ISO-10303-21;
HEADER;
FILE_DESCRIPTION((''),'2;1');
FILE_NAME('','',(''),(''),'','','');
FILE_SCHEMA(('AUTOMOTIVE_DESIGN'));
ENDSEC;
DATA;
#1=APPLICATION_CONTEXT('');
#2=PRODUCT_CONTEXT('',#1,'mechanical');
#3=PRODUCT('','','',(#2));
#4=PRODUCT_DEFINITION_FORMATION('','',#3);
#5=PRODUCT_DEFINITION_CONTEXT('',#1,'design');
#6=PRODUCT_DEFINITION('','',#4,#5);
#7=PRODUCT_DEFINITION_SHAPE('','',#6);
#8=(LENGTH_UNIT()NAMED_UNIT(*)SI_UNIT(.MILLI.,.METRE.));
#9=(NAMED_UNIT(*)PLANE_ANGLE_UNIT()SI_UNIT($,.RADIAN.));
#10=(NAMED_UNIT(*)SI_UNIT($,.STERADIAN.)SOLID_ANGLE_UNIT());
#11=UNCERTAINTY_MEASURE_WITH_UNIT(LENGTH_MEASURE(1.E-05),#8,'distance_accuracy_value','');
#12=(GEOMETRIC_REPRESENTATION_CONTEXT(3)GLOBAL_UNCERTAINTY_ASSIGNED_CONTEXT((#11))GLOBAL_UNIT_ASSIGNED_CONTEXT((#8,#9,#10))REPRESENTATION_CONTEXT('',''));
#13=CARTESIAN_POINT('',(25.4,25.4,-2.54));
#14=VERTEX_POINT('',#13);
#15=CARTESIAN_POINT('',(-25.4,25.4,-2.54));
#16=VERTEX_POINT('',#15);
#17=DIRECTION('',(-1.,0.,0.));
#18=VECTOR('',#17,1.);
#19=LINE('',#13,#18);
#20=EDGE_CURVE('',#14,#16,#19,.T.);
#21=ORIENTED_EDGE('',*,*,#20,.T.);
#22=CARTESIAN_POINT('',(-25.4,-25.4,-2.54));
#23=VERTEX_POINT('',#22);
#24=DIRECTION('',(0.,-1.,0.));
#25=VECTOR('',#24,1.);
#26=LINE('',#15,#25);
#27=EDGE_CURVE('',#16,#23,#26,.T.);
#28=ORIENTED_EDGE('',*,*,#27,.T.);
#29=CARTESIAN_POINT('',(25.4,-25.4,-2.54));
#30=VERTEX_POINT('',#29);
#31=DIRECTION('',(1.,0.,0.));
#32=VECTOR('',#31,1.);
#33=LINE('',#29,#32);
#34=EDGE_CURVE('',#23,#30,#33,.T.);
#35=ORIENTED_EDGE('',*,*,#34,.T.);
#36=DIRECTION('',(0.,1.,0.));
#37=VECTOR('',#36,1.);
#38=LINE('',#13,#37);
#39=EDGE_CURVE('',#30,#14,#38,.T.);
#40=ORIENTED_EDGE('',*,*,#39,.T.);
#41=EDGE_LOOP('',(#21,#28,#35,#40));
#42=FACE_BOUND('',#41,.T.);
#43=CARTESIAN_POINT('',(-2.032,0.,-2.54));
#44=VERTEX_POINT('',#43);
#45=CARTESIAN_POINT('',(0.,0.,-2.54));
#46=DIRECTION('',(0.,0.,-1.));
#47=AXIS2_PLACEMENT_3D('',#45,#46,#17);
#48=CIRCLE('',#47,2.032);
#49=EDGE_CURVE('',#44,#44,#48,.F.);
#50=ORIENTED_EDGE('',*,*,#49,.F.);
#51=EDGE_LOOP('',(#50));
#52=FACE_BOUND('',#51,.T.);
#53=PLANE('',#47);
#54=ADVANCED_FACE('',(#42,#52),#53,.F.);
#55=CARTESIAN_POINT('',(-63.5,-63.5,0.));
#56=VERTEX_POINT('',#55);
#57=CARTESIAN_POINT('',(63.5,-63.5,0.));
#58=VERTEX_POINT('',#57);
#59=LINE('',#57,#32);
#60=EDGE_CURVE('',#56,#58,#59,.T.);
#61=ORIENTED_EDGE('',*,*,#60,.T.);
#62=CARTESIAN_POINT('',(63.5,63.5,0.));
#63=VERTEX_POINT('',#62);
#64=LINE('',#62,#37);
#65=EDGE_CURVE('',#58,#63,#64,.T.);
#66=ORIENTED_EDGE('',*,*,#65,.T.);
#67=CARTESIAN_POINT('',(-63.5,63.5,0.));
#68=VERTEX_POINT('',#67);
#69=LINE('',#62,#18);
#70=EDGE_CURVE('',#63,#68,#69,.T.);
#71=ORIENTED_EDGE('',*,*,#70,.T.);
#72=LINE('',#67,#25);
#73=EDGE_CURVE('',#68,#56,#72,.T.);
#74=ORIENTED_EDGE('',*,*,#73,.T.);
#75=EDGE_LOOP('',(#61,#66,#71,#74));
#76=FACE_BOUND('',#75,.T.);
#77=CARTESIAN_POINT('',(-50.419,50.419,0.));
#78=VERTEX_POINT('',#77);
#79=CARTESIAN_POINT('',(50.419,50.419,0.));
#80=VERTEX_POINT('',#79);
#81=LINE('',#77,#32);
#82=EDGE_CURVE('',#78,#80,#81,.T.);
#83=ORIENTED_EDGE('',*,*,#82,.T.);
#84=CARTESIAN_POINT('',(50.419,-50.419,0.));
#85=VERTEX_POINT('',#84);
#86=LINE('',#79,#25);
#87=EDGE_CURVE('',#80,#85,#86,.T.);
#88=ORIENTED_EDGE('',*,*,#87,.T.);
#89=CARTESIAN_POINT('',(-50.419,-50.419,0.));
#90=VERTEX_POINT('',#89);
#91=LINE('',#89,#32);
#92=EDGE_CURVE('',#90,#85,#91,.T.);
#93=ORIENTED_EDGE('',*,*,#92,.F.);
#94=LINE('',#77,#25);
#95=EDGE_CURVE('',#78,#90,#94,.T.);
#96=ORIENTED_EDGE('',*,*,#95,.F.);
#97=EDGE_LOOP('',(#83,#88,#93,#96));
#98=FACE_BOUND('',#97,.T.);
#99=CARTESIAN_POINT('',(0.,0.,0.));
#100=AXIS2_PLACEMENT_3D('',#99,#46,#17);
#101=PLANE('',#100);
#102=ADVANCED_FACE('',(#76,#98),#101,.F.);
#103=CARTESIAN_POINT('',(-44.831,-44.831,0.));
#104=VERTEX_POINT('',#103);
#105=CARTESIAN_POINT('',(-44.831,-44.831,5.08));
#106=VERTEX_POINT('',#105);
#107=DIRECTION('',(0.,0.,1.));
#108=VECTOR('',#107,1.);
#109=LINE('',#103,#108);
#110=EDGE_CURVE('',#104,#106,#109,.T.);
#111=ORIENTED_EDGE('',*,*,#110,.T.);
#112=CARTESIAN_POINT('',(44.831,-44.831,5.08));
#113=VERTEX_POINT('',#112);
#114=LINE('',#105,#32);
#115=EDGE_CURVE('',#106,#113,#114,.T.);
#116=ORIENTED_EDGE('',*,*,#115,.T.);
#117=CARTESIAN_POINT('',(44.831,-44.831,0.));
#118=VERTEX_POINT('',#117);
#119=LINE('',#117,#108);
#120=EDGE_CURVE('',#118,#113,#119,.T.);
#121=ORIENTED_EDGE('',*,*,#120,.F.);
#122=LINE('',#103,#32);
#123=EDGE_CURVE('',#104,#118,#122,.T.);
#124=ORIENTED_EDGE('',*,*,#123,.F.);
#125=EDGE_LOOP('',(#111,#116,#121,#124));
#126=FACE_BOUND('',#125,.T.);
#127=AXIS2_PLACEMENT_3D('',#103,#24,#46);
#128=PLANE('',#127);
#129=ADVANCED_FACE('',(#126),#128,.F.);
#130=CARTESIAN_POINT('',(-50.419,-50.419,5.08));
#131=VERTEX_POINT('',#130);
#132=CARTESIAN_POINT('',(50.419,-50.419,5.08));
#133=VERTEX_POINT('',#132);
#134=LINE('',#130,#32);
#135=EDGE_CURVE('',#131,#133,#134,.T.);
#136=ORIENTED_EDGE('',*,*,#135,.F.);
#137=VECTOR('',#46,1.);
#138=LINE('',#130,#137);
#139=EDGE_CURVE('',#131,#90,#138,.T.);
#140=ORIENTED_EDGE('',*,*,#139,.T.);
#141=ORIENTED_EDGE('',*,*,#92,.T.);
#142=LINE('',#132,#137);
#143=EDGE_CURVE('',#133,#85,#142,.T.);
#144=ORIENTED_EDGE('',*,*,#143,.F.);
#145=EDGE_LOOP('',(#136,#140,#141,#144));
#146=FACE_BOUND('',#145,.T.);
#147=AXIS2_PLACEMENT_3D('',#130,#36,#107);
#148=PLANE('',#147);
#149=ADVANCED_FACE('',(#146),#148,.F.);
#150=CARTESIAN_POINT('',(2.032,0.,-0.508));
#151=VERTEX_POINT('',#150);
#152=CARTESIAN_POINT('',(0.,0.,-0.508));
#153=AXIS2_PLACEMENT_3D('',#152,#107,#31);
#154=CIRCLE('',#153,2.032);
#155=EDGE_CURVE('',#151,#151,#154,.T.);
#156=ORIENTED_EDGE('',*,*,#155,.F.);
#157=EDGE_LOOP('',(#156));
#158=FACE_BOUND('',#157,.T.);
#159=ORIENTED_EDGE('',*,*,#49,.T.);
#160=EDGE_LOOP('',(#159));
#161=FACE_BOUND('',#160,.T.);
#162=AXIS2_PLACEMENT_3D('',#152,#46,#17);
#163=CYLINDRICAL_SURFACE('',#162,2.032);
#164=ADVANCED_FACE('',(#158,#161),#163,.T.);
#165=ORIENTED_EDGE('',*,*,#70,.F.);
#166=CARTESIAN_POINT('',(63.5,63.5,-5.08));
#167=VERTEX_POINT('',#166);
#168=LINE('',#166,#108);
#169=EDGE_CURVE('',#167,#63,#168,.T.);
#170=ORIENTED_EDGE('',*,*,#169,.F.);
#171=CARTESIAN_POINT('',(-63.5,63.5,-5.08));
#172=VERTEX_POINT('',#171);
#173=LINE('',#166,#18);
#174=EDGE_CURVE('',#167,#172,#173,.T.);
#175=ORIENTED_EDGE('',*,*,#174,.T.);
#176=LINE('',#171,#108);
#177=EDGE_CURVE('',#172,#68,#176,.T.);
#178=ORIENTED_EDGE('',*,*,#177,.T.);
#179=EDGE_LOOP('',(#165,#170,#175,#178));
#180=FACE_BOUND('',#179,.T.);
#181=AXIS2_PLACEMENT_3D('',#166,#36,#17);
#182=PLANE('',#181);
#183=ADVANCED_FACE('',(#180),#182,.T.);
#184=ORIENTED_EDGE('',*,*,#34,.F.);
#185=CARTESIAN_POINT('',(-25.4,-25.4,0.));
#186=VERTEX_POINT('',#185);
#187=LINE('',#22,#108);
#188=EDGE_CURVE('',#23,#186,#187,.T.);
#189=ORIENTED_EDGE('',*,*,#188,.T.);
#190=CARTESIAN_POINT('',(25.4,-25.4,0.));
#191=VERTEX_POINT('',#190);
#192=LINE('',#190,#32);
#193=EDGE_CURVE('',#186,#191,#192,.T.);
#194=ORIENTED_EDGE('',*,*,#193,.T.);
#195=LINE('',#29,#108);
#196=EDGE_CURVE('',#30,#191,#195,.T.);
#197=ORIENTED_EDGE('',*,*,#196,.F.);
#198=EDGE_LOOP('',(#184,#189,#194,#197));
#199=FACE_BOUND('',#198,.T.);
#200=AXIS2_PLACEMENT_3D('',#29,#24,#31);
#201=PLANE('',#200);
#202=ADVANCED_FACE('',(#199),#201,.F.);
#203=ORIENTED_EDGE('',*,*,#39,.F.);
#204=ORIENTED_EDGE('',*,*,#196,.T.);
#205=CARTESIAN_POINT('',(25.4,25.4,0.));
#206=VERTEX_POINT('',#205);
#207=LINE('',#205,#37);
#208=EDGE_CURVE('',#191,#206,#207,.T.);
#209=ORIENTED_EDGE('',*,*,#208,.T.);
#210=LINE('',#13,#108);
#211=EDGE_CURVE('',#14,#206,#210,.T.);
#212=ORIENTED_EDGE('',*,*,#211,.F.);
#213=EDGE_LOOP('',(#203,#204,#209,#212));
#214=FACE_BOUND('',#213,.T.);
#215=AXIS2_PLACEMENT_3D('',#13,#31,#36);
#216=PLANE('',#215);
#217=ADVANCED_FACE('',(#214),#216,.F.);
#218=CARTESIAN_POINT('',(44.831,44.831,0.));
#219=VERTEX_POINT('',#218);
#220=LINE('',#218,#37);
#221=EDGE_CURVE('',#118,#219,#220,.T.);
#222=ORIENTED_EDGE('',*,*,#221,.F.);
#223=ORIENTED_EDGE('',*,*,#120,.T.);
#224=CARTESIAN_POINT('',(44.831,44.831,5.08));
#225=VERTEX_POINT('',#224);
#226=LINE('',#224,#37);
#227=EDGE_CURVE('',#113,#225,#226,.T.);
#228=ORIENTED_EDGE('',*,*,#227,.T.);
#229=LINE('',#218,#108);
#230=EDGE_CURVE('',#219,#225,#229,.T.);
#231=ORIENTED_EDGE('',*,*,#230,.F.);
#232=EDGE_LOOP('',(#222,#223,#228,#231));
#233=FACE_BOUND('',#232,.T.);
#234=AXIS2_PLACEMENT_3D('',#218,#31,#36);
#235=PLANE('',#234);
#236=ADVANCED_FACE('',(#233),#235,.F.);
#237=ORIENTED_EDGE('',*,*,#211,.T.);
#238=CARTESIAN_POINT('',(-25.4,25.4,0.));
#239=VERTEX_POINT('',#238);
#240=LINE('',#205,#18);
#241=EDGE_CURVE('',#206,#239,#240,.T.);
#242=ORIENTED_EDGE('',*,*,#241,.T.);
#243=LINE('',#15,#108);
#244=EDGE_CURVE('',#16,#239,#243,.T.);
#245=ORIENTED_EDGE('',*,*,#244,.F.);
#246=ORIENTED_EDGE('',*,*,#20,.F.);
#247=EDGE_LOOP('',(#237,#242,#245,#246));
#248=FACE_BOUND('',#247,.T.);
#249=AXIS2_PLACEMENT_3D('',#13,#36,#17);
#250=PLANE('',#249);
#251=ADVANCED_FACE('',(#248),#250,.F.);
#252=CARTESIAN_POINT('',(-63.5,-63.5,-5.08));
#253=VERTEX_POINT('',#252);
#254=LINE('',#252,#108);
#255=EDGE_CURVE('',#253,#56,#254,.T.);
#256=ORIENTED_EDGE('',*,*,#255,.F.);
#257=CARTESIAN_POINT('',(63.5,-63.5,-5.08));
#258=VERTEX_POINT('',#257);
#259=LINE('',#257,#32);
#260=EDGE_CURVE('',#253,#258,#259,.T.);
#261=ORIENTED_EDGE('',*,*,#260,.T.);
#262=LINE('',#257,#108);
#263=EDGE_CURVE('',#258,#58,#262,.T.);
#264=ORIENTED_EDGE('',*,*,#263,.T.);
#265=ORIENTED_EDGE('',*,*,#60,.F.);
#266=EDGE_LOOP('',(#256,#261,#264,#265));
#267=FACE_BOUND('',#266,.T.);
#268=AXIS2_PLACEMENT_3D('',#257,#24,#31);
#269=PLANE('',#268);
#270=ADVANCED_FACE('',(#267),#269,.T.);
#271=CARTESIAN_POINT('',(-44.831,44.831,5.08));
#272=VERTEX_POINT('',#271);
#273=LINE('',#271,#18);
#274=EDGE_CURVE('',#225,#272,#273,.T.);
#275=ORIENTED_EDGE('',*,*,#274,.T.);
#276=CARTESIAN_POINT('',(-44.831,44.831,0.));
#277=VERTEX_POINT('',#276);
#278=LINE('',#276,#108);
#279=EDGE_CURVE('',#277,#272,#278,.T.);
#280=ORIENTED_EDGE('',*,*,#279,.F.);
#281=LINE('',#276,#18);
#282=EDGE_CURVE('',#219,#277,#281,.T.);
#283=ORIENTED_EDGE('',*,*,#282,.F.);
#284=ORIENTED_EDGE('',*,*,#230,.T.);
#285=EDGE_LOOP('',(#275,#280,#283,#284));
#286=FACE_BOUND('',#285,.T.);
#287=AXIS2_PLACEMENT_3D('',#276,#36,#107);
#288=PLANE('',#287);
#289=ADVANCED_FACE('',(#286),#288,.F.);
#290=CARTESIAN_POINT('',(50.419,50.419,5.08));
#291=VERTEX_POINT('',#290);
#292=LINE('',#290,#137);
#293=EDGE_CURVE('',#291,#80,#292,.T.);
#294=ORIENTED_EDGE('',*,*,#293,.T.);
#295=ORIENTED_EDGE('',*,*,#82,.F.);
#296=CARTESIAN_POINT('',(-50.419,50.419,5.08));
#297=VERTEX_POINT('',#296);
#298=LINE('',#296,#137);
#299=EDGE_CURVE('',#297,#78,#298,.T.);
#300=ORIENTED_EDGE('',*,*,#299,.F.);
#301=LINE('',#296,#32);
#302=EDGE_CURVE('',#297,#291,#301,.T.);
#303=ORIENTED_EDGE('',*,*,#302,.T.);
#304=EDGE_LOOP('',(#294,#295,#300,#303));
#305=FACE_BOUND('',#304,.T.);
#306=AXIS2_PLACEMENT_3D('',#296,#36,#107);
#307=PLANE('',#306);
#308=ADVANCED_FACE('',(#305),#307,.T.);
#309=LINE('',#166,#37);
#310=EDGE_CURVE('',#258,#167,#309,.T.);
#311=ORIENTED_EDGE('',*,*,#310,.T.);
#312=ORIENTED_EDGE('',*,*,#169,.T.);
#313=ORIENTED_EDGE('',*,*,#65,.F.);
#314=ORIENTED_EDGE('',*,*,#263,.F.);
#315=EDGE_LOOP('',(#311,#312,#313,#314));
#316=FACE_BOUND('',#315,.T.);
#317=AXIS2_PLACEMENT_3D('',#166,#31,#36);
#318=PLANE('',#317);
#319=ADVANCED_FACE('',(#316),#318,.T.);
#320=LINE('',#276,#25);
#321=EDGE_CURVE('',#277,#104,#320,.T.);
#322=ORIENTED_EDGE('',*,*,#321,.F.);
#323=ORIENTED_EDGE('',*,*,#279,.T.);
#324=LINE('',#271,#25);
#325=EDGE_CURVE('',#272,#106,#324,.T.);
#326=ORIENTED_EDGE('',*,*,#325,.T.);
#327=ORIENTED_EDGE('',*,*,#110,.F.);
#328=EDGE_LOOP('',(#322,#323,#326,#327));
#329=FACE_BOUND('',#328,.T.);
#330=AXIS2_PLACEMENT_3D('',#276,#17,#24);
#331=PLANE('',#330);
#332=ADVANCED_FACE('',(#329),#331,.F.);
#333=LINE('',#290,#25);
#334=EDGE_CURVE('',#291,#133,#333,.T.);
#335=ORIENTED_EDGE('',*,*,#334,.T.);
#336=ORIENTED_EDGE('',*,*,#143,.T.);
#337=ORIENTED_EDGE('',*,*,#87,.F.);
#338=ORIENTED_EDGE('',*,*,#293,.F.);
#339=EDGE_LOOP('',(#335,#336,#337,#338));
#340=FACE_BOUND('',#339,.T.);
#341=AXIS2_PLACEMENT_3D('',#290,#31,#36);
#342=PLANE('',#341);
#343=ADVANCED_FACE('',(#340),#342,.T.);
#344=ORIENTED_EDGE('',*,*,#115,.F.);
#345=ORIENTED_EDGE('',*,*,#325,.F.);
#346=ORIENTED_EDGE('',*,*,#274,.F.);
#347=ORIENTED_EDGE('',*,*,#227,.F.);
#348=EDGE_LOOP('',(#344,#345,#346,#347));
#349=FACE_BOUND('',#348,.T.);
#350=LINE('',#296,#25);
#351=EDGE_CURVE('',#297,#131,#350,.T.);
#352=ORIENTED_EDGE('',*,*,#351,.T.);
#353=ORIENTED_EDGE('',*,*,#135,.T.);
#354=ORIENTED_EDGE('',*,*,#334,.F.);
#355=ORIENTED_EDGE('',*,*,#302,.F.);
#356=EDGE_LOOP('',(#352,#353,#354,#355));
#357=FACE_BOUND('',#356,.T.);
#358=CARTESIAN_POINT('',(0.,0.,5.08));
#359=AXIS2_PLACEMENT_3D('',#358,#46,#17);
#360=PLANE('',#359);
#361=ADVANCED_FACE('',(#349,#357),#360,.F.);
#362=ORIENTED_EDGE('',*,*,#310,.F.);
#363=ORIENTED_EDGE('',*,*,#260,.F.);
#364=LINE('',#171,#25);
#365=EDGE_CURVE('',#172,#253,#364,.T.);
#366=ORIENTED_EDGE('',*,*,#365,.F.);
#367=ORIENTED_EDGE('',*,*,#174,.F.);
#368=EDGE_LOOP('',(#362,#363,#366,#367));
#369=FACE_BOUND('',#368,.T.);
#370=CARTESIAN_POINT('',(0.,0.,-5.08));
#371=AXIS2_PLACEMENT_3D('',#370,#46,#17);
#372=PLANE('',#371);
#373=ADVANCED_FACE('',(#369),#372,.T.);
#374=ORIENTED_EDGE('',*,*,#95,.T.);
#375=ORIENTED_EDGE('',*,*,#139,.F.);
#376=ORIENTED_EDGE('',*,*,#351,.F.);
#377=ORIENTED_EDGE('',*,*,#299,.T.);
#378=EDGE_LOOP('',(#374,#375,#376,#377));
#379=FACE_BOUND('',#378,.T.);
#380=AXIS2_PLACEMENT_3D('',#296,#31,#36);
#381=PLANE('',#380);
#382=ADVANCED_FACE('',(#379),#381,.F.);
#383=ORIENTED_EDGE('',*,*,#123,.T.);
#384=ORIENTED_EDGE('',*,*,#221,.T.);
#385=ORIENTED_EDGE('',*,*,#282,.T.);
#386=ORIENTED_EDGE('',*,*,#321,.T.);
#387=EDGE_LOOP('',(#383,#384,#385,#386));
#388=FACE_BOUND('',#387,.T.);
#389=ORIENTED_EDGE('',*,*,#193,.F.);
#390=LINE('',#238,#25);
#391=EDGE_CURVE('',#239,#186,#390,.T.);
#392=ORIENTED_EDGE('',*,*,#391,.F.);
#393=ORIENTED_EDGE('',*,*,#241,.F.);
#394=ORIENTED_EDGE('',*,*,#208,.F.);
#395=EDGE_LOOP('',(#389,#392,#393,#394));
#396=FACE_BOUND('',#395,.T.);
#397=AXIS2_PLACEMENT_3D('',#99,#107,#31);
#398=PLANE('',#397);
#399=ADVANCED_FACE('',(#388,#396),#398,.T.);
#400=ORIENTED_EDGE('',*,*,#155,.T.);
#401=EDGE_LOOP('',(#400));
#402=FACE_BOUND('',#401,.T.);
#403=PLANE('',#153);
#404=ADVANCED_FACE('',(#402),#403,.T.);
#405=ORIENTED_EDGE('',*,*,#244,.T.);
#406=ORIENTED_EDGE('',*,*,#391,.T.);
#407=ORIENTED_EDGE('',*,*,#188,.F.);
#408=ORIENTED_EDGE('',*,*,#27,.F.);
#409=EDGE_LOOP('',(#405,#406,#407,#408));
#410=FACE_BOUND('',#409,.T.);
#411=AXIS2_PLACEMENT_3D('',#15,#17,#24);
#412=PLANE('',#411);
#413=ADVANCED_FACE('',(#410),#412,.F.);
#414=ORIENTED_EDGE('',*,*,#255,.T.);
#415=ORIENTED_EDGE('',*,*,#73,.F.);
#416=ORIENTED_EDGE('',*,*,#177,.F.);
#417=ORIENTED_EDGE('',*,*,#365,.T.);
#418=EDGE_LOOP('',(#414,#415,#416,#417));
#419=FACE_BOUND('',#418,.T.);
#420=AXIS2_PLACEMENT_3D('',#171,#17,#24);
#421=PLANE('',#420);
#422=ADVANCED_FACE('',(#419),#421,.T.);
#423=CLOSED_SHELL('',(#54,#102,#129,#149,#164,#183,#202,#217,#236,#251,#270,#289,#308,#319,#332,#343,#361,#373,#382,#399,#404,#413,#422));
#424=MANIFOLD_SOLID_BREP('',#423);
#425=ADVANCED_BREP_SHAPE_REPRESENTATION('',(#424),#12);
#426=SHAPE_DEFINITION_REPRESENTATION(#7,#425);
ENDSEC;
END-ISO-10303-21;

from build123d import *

# Parameters (mm, degrees)
SKETCH1_W            = 127
SKETCH1_H            = 127
BOSS_EXTRUDE1_DEPTH  = 5.08
SKETCH2_W            = 100.838
SKETCH2_H            = 100.838
BOSS_EXTRUDE2_DEPTH  = 5.08
SKETCH3_W            = 89.662
SKETCH3_H            = 89.662
CUT_EXTRUDE1_DEPTH   = 5.08
SKETCH8_W            = 50.8
SKETCH8_H            = 50.8
CUT_EXTRUDE2_DEPTH   = 2.54
SKETCH9_R            = 2.032
BOSS_EXTRUDE10_DEPTH = 2.032


with BuildPart() as part:
    # Sketch1 → Boss-Extrude1 (new body)
    with BuildSketch(Plane.XY):
        Rectangle(SKETCH1_W, SKETCH1_H)
    extrude(amount=-BOSS_EXTRUDE1_DEPTH)

    # Sketch2 → Boss-Extrude2 (add)
    with BuildSketch(Plane.XY):
        Rectangle(SKETCH2_W, SKETCH2_H)
    extrude(amount=BOSS_EXTRUDE2_DEPTH)

    # Sketch3 → Cut-Extrude1 (cut)
    with BuildSketch(Plane.XY.offset(5.08)):
        Rectangle(SKETCH3_W, SKETCH3_H)
    extrude(amount=-CUT_EXTRUDE1_DEPTH, mode=Mode.SUBTRACT)

    # Sketch8 → Cut-Extrude2 (cut)
    with BuildSketch(Plane.XY):
        Rectangle(SKETCH8_W, SKETCH8_H)
    extrude(amount=-CUT_EXTRUDE2_DEPTH, mode=Mode.SUBTRACT)

    # Sketch9 → Boss-Extrude10 (add)
    with BuildSketch(Plane.XY.offset(-2.54)):
        Circle(SKETCH9_R)
    extrude(amount=BOSS_EXTRUDE10_DEPTH)


solid = part.part
